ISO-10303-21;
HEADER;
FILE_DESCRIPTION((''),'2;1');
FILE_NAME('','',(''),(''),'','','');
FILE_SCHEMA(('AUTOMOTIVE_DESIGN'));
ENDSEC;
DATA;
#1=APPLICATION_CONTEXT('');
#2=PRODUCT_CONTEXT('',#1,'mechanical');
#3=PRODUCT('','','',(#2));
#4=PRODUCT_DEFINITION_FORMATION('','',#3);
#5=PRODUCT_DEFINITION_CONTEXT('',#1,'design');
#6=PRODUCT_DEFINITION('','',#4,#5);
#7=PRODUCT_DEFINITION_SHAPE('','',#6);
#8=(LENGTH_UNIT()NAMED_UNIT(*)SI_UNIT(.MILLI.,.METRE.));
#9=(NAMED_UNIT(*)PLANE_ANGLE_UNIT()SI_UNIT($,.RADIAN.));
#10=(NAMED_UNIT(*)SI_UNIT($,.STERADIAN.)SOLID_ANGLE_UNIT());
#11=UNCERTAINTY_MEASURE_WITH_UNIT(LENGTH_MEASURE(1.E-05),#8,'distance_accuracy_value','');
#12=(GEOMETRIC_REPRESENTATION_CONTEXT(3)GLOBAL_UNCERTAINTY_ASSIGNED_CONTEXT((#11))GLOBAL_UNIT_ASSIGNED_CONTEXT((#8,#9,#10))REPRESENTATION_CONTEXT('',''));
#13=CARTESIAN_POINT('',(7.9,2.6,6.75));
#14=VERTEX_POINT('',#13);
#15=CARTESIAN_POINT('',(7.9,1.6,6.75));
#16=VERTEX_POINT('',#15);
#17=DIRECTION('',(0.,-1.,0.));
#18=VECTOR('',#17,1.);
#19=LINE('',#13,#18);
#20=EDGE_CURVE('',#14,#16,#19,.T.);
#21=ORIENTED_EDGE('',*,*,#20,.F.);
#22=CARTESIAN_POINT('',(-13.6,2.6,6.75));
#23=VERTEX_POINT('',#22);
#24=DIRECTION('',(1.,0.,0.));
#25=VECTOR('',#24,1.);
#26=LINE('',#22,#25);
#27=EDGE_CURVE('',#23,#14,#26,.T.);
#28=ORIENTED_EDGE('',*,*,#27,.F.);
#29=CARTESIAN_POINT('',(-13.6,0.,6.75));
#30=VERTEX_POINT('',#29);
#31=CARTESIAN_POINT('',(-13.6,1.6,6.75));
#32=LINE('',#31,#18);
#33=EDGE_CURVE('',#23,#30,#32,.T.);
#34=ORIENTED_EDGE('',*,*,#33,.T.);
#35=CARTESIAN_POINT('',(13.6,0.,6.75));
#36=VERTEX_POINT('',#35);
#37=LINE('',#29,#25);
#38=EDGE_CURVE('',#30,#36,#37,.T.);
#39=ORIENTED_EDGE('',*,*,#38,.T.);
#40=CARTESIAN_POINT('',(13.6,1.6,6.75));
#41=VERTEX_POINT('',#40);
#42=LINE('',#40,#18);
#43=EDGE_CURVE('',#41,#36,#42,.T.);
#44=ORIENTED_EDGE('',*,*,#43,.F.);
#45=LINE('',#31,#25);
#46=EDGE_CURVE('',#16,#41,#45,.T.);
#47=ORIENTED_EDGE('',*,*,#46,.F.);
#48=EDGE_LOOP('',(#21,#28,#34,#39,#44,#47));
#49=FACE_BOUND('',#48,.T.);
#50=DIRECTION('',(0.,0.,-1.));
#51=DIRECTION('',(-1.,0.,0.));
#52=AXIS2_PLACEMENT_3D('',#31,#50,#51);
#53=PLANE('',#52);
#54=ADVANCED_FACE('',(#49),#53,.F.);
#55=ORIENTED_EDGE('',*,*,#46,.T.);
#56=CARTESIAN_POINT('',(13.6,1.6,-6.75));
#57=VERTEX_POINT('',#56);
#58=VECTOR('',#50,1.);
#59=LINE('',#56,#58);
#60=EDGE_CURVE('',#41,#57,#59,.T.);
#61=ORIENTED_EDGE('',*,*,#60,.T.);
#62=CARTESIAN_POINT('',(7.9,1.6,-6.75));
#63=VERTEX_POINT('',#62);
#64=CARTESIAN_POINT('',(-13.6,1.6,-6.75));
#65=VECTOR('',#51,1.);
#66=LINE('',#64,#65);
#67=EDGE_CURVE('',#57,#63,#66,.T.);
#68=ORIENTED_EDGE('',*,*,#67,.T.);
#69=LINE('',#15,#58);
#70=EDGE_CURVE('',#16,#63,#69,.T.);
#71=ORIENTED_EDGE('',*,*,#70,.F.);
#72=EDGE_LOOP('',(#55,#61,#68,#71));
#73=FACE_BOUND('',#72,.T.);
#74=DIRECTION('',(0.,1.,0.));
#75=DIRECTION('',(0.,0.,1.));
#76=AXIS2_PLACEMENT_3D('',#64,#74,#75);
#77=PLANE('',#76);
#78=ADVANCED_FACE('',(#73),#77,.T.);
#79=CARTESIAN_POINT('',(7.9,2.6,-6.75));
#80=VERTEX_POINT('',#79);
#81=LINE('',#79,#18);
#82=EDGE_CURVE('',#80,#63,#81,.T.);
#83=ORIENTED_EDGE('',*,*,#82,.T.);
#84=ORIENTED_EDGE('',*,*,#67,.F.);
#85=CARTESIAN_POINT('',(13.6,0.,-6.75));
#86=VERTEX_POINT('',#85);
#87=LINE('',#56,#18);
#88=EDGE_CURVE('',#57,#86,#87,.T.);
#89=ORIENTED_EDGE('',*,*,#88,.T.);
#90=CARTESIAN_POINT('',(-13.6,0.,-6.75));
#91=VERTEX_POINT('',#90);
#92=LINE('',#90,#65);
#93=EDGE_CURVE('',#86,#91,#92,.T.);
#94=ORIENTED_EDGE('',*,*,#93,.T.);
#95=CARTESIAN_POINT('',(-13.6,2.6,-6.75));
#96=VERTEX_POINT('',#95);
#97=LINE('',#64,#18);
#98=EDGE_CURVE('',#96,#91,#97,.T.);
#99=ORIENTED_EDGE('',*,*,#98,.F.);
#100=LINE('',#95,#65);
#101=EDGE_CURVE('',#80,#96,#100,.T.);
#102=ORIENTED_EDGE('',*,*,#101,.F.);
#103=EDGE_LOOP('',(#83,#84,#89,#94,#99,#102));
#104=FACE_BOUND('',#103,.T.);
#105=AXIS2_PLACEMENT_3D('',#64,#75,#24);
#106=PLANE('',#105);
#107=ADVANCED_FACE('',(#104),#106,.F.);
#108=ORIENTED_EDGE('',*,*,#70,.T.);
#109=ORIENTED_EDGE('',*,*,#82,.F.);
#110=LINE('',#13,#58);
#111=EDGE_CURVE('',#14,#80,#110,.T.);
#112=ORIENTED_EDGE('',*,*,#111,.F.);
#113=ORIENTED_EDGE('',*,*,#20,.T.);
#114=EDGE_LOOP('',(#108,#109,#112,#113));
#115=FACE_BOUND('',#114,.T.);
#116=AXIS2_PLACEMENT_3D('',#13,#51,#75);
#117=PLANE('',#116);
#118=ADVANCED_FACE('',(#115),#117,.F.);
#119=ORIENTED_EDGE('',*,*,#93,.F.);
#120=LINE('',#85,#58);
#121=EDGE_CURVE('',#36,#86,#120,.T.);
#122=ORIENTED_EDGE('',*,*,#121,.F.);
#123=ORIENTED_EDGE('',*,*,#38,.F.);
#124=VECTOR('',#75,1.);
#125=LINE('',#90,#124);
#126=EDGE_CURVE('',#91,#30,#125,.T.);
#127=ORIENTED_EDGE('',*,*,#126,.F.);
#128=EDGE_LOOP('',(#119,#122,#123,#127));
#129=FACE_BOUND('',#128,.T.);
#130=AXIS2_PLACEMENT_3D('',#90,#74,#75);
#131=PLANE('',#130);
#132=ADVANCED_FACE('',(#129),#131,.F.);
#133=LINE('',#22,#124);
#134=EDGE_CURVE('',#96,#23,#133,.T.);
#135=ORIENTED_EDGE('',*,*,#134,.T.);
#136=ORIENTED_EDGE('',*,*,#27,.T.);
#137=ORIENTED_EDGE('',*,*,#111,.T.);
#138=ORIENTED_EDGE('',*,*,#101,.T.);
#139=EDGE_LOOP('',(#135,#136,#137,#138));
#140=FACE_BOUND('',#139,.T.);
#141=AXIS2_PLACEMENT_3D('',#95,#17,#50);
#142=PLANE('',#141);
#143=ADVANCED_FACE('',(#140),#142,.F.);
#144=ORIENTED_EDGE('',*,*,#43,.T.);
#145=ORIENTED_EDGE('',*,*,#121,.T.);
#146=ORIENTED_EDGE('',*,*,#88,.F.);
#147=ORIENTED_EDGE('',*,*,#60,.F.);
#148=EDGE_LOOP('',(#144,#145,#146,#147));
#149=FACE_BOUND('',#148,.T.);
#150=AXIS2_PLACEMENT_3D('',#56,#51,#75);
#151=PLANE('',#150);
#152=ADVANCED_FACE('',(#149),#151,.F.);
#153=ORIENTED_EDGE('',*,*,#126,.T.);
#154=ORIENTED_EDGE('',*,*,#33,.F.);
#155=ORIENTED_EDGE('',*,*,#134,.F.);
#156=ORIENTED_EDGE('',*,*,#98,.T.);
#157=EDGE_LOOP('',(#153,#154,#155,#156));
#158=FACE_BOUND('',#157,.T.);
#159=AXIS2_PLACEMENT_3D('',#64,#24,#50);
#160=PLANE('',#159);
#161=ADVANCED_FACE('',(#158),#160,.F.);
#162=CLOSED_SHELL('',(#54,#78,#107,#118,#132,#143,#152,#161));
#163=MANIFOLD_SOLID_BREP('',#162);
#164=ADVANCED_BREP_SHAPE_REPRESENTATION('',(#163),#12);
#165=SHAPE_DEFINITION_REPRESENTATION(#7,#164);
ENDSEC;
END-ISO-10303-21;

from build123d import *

# Parameters (mm, degrees)
SKETCH_1_W      = 27.2
SKETCH_1_H      = 13.5
EXTRUDE_1_DEPTH = 1.6
SKETCH_2_W      = 21.5
SKETCH_2_H      = 13.5
EXTRUDE_2_DEPTH = 1


with BuildPart() as part:
    # 草图1 → 拉伸1 (new body)
    with BuildSketch(Plane(origin=(0, 0, 0), x_dir=(1, 0, 0), z_dir=(0, 1, 0))):
        Rectangle(SKETCH_1_W, SKETCH_1_H)
    extrude(amount=EXTRUDE_1_DEPTH)

    # 草图2 → 拉伸2 (add)
    with BuildSketch(Plane(origin=(0, 1.6, 0), x_dir=(-1, 0, 0), z_dir=(0, 1, 0))):
        with Locations((2.85, 0)):
            Rectangle(SKETCH_2_W, SKETCH_2_H)
    extrude(amount=EXTRUDE_2_DEPTH)


solid = part.part
